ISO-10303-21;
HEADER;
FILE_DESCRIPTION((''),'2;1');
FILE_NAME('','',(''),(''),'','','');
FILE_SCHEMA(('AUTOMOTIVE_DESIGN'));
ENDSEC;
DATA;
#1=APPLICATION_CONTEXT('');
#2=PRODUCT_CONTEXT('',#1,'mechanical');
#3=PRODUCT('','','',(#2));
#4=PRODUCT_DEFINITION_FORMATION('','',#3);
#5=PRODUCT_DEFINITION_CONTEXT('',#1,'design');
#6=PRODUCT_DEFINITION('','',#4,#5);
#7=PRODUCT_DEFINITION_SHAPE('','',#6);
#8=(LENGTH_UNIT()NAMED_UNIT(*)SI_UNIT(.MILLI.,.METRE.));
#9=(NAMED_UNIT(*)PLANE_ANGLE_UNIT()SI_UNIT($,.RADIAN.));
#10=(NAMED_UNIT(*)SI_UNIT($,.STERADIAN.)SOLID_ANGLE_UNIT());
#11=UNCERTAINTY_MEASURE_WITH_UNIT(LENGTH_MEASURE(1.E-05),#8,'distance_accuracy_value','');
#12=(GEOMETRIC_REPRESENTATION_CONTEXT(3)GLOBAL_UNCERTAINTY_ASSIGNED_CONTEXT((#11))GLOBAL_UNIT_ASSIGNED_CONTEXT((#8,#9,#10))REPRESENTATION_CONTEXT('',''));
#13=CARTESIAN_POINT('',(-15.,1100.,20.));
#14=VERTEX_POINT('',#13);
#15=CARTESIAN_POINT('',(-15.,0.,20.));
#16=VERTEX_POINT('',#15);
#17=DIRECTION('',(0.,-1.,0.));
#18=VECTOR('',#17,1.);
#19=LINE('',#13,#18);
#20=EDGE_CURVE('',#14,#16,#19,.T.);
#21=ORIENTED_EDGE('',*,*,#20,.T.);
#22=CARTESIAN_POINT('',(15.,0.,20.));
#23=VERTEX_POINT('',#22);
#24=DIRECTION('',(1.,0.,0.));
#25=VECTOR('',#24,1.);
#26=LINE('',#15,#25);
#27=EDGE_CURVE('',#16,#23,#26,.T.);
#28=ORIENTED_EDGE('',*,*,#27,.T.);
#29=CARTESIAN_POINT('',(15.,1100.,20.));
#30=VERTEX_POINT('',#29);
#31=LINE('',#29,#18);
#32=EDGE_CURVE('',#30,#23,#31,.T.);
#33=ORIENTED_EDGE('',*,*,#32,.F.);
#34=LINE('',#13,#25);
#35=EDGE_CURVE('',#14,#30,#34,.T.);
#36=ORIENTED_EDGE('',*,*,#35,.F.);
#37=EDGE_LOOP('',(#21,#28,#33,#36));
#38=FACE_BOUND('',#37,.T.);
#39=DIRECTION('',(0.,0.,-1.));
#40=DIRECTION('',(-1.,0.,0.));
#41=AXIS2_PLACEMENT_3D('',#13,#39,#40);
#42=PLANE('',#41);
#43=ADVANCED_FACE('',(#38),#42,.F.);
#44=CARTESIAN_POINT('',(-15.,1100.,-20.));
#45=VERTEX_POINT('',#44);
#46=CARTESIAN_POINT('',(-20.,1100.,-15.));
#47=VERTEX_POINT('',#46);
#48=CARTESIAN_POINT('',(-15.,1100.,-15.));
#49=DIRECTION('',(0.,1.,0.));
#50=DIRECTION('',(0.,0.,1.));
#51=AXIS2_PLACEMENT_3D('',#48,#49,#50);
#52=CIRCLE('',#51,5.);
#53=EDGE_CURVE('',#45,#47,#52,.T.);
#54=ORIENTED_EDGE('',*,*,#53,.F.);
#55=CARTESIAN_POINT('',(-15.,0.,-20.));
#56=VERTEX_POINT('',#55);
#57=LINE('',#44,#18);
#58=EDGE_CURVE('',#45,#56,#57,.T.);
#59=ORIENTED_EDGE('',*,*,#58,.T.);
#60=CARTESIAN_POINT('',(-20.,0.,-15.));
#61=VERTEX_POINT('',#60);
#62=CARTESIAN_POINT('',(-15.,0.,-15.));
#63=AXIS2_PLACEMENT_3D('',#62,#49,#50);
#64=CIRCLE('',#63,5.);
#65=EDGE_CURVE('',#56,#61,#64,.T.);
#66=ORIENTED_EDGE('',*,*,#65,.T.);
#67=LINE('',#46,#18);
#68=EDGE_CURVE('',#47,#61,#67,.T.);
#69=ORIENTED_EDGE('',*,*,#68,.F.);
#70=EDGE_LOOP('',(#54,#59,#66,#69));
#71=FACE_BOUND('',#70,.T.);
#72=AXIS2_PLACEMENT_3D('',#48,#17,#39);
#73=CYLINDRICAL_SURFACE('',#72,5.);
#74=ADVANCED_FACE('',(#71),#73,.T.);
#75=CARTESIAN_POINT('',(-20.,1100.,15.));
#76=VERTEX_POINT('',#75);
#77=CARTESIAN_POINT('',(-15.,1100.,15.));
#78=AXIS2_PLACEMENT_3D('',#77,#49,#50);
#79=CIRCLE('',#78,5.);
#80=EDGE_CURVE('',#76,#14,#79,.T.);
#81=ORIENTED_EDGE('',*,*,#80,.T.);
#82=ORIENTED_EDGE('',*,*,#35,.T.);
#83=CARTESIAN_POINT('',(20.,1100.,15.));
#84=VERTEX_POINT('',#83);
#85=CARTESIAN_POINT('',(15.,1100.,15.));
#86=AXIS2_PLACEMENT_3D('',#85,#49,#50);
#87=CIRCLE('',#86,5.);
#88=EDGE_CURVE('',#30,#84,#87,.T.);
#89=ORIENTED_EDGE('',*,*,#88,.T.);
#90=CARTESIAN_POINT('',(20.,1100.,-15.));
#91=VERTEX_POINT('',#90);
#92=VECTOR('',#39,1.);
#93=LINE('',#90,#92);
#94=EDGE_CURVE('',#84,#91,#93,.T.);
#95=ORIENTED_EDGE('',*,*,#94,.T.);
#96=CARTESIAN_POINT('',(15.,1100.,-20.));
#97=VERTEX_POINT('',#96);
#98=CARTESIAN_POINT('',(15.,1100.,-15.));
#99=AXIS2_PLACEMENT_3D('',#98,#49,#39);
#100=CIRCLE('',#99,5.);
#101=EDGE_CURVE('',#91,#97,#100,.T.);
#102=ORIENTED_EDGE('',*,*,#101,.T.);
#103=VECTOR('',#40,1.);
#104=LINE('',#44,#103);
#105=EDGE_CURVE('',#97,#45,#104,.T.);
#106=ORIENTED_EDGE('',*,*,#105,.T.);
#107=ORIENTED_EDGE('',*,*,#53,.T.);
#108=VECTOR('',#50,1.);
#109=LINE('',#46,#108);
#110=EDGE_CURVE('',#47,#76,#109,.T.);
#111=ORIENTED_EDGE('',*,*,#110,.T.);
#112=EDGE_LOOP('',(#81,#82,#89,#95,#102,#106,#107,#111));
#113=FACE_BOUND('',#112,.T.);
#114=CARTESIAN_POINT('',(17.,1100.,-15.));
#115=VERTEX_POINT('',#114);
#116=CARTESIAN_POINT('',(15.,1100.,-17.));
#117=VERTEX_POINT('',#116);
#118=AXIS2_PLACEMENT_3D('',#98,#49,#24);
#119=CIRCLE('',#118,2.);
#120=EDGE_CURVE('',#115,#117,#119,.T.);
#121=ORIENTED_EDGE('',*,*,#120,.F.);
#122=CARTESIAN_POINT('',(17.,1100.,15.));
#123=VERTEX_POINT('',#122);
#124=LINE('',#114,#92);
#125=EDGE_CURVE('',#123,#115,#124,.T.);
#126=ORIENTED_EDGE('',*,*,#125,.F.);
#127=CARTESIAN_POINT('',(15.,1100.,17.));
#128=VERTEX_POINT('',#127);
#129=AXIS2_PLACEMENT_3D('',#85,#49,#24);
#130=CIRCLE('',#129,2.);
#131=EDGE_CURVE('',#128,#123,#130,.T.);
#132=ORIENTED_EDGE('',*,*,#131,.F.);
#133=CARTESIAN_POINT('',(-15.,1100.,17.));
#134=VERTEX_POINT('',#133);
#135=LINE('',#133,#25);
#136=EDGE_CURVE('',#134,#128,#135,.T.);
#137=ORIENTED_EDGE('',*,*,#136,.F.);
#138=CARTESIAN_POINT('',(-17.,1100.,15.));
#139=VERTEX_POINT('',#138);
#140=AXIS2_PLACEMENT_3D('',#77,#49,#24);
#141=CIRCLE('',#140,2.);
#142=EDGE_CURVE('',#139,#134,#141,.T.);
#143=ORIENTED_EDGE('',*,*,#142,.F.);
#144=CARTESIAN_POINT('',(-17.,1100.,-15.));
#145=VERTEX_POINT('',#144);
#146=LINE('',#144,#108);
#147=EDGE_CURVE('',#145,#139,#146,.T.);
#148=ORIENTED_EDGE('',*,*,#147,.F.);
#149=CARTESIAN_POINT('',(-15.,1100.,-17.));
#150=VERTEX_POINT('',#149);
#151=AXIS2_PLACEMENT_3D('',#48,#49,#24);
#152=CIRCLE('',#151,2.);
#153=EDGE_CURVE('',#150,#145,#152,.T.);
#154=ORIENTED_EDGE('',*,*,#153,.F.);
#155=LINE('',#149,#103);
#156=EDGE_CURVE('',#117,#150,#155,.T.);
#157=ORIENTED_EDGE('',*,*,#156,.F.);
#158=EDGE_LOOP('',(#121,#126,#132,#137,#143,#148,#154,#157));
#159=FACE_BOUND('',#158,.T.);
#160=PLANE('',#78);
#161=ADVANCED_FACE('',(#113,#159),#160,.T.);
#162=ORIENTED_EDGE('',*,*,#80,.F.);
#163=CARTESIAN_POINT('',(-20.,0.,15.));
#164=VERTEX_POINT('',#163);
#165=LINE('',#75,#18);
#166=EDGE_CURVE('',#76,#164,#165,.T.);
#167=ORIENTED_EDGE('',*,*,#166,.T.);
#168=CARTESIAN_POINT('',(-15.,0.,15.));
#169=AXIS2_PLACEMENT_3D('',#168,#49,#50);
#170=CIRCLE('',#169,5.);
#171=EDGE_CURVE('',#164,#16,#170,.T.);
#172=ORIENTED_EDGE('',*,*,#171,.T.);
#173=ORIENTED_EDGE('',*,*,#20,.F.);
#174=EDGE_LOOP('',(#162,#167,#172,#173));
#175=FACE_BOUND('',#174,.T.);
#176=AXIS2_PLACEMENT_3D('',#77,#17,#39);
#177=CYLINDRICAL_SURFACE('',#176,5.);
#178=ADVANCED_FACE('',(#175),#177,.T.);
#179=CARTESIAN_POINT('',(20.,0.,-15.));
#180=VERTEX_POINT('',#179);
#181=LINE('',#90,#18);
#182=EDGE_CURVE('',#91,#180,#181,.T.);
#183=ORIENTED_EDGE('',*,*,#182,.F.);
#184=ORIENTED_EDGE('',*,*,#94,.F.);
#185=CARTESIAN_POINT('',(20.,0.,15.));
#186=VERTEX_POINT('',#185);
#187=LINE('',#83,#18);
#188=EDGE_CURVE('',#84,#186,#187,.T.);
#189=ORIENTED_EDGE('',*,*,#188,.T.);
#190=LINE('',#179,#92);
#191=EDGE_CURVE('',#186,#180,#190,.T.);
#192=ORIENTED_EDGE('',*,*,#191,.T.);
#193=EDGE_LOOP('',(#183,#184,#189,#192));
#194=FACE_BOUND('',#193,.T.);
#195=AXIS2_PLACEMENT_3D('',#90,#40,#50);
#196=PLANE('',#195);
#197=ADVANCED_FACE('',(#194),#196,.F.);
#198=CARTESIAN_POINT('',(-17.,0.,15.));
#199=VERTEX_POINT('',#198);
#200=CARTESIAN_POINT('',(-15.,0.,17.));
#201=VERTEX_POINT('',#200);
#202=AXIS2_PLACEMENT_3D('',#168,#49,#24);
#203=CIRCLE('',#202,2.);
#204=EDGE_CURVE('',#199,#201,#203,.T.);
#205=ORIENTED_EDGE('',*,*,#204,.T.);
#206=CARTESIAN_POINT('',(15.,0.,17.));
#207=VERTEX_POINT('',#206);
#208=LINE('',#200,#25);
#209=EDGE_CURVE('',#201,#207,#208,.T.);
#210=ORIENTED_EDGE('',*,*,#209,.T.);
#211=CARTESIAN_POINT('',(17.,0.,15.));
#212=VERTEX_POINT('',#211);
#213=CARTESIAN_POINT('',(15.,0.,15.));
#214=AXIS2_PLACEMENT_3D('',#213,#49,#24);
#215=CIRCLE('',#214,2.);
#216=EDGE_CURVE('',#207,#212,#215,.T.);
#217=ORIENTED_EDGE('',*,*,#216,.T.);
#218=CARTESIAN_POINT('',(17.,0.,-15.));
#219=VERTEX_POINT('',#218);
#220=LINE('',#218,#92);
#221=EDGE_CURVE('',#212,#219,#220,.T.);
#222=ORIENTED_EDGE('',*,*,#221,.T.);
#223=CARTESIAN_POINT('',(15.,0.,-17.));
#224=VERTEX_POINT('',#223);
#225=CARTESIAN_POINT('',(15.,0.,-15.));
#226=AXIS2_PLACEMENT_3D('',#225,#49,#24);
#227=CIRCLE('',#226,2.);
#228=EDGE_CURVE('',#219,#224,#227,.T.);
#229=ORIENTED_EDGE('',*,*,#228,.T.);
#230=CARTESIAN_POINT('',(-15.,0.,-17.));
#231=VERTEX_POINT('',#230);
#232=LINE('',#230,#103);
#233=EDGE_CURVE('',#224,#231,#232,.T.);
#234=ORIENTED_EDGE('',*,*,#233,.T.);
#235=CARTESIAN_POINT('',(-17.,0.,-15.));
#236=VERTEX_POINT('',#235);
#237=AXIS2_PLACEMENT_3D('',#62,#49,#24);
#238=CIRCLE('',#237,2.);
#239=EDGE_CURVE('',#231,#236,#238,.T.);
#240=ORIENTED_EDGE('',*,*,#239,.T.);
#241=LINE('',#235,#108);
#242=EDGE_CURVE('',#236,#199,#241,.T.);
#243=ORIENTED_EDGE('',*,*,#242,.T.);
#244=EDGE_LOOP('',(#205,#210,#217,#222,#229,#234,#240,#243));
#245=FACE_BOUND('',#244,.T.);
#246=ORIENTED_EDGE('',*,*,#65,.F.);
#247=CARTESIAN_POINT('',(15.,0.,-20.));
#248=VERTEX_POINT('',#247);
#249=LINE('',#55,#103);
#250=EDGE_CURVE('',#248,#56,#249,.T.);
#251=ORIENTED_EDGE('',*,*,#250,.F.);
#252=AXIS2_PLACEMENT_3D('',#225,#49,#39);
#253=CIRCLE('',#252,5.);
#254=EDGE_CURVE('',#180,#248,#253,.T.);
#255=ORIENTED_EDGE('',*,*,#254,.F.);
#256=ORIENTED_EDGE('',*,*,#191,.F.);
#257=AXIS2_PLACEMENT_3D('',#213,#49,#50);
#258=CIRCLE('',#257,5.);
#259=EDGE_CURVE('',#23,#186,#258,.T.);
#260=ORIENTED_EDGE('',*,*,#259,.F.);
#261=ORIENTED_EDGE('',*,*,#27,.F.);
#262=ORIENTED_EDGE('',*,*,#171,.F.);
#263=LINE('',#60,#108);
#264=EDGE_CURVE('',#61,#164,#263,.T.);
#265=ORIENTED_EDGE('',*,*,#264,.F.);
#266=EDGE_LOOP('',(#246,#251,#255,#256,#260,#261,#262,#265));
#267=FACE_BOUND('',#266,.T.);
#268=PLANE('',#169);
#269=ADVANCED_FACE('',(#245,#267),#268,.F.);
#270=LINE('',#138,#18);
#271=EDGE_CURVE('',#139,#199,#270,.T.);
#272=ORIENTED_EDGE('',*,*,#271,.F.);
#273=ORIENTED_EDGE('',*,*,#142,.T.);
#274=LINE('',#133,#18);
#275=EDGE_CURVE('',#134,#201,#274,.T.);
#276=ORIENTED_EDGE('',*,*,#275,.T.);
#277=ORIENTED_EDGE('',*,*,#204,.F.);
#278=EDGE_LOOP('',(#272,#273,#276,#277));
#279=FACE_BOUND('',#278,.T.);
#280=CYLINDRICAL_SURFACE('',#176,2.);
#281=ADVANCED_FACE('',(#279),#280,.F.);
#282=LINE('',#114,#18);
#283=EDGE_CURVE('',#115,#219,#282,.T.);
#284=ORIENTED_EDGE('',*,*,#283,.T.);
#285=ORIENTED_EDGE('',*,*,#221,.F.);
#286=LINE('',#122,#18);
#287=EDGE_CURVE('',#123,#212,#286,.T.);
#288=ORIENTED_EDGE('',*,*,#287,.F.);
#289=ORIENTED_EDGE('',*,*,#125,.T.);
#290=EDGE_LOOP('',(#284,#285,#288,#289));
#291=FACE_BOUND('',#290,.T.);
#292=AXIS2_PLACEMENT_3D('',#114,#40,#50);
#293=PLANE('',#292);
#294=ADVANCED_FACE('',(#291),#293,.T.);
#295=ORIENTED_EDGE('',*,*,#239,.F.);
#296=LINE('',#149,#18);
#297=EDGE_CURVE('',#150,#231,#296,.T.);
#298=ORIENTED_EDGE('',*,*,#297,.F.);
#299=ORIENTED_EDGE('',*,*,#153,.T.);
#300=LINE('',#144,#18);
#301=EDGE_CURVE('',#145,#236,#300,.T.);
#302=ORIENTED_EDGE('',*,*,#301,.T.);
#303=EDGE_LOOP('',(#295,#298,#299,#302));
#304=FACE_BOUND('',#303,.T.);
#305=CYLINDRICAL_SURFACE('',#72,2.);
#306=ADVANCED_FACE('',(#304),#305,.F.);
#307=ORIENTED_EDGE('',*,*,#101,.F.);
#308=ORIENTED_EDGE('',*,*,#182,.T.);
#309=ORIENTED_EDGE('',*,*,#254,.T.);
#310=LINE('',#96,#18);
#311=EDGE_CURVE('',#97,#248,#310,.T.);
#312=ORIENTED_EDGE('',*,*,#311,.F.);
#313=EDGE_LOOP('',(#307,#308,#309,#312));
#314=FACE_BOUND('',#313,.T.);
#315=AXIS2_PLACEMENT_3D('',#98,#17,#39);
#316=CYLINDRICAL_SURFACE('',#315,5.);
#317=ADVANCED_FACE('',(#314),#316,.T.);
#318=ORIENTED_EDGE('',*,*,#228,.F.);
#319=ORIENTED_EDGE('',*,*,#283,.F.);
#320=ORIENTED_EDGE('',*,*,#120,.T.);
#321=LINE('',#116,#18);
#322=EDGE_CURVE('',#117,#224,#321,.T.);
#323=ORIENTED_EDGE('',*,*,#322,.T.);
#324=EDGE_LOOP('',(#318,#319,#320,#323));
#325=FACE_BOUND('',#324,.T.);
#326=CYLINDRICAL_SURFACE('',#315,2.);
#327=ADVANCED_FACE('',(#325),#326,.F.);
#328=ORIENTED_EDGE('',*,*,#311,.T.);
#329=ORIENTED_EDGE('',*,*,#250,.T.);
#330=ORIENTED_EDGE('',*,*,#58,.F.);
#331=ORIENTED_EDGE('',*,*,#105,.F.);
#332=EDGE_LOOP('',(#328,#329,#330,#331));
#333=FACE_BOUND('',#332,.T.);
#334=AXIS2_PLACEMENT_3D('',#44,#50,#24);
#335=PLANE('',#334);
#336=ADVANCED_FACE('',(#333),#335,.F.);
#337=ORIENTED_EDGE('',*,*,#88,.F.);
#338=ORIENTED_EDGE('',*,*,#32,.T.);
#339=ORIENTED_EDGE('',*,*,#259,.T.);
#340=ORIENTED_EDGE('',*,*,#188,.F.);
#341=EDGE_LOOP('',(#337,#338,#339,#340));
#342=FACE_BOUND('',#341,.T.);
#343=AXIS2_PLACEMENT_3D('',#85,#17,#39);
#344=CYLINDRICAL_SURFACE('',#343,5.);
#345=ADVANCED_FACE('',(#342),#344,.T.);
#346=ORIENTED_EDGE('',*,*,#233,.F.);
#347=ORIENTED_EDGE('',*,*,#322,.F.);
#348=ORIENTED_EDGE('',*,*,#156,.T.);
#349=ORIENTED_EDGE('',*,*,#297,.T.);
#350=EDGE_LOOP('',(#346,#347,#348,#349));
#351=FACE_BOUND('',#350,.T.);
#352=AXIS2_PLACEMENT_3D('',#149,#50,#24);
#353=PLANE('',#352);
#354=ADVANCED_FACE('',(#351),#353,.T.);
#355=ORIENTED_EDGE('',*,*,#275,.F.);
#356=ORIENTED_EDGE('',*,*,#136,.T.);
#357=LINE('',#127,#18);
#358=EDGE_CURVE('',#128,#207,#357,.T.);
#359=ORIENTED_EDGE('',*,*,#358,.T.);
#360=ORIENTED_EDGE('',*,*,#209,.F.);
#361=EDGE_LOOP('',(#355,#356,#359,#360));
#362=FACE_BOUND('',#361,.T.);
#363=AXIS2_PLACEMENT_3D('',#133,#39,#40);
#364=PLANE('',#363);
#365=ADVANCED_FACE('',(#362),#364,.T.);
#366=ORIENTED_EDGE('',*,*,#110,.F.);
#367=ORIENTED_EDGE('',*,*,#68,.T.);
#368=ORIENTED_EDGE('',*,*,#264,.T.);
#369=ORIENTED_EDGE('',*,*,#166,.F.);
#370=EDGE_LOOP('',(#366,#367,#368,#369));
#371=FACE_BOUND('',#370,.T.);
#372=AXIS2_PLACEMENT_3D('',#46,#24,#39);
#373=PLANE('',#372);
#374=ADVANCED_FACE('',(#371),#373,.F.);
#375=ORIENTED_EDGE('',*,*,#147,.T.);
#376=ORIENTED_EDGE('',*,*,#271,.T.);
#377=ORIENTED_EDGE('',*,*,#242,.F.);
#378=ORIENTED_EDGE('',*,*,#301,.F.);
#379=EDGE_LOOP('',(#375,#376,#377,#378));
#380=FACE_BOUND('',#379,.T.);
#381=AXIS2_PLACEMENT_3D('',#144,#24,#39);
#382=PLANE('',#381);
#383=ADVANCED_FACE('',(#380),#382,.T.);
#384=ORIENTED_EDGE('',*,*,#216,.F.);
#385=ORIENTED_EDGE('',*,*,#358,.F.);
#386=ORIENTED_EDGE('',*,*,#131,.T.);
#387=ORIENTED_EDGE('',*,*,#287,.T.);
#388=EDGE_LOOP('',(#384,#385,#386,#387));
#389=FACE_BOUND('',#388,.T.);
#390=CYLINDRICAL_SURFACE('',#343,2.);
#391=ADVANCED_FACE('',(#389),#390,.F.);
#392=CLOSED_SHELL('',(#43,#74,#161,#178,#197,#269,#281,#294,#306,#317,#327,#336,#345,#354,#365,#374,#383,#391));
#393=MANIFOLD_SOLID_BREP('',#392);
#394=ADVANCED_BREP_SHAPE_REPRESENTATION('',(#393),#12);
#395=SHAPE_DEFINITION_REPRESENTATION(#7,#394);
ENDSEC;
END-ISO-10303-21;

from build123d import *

# Parameters (mm, degrees)
EXTRUDE_1_DEPTH = 1100


with BuildPart() as part:
    # Эскиз1 → Вытянуть-Тонкостенный1 (new body)
    with BuildSketch(Plane(origin=(0, 0, 0), x_dir=(1, 0, 0), z_dir=(0, 1, 0))):
        with BuildLine():
            Line((-15, 20), (15, 20))
            ThreePointArc((15, 20), (18.535533906, 18.535533906), (20, 15))
            Line((20, 15), (20, -15))
            ThreePointArc((20, -15), (18.535533906, -18.535533906), (15, -20))
            Line((15, -20), (-15, -20))
            ThreePointArc((-15, -20), (-18.535533906, -18.535533906), (-20, -15))
            Line((-20, -15), (-20, 15))
            ThreePointArc((-20, 15), (-18.535533906, 18.535533906), (-15, 20))
        make_face()
        with BuildLine():
            Line((-15, 17), (15, 17))
            ThreePointArc((15, 17), (16.414213562, 16.414213562), (17, 15))
            Line((17, 15), (17, -15))
            ThreePointArc((17, -15), (16.414213562, -16.414213562), (15, -17))
            Line((15, -17), (-15, -17))
            ThreePointArc((-15, -17), (-16.414213562, -16.414213562), (-17, -15))
            Line((-17, -15), (-17, 15))
            ThreePointArc((-17, 15), (-16.414213562, 16.414213562), (-15, 17))
        make_face(mode=Mode.SUBTRACT)
    extrude(amount=EXTRUDE_1_DEPTH)


solid = part.part
